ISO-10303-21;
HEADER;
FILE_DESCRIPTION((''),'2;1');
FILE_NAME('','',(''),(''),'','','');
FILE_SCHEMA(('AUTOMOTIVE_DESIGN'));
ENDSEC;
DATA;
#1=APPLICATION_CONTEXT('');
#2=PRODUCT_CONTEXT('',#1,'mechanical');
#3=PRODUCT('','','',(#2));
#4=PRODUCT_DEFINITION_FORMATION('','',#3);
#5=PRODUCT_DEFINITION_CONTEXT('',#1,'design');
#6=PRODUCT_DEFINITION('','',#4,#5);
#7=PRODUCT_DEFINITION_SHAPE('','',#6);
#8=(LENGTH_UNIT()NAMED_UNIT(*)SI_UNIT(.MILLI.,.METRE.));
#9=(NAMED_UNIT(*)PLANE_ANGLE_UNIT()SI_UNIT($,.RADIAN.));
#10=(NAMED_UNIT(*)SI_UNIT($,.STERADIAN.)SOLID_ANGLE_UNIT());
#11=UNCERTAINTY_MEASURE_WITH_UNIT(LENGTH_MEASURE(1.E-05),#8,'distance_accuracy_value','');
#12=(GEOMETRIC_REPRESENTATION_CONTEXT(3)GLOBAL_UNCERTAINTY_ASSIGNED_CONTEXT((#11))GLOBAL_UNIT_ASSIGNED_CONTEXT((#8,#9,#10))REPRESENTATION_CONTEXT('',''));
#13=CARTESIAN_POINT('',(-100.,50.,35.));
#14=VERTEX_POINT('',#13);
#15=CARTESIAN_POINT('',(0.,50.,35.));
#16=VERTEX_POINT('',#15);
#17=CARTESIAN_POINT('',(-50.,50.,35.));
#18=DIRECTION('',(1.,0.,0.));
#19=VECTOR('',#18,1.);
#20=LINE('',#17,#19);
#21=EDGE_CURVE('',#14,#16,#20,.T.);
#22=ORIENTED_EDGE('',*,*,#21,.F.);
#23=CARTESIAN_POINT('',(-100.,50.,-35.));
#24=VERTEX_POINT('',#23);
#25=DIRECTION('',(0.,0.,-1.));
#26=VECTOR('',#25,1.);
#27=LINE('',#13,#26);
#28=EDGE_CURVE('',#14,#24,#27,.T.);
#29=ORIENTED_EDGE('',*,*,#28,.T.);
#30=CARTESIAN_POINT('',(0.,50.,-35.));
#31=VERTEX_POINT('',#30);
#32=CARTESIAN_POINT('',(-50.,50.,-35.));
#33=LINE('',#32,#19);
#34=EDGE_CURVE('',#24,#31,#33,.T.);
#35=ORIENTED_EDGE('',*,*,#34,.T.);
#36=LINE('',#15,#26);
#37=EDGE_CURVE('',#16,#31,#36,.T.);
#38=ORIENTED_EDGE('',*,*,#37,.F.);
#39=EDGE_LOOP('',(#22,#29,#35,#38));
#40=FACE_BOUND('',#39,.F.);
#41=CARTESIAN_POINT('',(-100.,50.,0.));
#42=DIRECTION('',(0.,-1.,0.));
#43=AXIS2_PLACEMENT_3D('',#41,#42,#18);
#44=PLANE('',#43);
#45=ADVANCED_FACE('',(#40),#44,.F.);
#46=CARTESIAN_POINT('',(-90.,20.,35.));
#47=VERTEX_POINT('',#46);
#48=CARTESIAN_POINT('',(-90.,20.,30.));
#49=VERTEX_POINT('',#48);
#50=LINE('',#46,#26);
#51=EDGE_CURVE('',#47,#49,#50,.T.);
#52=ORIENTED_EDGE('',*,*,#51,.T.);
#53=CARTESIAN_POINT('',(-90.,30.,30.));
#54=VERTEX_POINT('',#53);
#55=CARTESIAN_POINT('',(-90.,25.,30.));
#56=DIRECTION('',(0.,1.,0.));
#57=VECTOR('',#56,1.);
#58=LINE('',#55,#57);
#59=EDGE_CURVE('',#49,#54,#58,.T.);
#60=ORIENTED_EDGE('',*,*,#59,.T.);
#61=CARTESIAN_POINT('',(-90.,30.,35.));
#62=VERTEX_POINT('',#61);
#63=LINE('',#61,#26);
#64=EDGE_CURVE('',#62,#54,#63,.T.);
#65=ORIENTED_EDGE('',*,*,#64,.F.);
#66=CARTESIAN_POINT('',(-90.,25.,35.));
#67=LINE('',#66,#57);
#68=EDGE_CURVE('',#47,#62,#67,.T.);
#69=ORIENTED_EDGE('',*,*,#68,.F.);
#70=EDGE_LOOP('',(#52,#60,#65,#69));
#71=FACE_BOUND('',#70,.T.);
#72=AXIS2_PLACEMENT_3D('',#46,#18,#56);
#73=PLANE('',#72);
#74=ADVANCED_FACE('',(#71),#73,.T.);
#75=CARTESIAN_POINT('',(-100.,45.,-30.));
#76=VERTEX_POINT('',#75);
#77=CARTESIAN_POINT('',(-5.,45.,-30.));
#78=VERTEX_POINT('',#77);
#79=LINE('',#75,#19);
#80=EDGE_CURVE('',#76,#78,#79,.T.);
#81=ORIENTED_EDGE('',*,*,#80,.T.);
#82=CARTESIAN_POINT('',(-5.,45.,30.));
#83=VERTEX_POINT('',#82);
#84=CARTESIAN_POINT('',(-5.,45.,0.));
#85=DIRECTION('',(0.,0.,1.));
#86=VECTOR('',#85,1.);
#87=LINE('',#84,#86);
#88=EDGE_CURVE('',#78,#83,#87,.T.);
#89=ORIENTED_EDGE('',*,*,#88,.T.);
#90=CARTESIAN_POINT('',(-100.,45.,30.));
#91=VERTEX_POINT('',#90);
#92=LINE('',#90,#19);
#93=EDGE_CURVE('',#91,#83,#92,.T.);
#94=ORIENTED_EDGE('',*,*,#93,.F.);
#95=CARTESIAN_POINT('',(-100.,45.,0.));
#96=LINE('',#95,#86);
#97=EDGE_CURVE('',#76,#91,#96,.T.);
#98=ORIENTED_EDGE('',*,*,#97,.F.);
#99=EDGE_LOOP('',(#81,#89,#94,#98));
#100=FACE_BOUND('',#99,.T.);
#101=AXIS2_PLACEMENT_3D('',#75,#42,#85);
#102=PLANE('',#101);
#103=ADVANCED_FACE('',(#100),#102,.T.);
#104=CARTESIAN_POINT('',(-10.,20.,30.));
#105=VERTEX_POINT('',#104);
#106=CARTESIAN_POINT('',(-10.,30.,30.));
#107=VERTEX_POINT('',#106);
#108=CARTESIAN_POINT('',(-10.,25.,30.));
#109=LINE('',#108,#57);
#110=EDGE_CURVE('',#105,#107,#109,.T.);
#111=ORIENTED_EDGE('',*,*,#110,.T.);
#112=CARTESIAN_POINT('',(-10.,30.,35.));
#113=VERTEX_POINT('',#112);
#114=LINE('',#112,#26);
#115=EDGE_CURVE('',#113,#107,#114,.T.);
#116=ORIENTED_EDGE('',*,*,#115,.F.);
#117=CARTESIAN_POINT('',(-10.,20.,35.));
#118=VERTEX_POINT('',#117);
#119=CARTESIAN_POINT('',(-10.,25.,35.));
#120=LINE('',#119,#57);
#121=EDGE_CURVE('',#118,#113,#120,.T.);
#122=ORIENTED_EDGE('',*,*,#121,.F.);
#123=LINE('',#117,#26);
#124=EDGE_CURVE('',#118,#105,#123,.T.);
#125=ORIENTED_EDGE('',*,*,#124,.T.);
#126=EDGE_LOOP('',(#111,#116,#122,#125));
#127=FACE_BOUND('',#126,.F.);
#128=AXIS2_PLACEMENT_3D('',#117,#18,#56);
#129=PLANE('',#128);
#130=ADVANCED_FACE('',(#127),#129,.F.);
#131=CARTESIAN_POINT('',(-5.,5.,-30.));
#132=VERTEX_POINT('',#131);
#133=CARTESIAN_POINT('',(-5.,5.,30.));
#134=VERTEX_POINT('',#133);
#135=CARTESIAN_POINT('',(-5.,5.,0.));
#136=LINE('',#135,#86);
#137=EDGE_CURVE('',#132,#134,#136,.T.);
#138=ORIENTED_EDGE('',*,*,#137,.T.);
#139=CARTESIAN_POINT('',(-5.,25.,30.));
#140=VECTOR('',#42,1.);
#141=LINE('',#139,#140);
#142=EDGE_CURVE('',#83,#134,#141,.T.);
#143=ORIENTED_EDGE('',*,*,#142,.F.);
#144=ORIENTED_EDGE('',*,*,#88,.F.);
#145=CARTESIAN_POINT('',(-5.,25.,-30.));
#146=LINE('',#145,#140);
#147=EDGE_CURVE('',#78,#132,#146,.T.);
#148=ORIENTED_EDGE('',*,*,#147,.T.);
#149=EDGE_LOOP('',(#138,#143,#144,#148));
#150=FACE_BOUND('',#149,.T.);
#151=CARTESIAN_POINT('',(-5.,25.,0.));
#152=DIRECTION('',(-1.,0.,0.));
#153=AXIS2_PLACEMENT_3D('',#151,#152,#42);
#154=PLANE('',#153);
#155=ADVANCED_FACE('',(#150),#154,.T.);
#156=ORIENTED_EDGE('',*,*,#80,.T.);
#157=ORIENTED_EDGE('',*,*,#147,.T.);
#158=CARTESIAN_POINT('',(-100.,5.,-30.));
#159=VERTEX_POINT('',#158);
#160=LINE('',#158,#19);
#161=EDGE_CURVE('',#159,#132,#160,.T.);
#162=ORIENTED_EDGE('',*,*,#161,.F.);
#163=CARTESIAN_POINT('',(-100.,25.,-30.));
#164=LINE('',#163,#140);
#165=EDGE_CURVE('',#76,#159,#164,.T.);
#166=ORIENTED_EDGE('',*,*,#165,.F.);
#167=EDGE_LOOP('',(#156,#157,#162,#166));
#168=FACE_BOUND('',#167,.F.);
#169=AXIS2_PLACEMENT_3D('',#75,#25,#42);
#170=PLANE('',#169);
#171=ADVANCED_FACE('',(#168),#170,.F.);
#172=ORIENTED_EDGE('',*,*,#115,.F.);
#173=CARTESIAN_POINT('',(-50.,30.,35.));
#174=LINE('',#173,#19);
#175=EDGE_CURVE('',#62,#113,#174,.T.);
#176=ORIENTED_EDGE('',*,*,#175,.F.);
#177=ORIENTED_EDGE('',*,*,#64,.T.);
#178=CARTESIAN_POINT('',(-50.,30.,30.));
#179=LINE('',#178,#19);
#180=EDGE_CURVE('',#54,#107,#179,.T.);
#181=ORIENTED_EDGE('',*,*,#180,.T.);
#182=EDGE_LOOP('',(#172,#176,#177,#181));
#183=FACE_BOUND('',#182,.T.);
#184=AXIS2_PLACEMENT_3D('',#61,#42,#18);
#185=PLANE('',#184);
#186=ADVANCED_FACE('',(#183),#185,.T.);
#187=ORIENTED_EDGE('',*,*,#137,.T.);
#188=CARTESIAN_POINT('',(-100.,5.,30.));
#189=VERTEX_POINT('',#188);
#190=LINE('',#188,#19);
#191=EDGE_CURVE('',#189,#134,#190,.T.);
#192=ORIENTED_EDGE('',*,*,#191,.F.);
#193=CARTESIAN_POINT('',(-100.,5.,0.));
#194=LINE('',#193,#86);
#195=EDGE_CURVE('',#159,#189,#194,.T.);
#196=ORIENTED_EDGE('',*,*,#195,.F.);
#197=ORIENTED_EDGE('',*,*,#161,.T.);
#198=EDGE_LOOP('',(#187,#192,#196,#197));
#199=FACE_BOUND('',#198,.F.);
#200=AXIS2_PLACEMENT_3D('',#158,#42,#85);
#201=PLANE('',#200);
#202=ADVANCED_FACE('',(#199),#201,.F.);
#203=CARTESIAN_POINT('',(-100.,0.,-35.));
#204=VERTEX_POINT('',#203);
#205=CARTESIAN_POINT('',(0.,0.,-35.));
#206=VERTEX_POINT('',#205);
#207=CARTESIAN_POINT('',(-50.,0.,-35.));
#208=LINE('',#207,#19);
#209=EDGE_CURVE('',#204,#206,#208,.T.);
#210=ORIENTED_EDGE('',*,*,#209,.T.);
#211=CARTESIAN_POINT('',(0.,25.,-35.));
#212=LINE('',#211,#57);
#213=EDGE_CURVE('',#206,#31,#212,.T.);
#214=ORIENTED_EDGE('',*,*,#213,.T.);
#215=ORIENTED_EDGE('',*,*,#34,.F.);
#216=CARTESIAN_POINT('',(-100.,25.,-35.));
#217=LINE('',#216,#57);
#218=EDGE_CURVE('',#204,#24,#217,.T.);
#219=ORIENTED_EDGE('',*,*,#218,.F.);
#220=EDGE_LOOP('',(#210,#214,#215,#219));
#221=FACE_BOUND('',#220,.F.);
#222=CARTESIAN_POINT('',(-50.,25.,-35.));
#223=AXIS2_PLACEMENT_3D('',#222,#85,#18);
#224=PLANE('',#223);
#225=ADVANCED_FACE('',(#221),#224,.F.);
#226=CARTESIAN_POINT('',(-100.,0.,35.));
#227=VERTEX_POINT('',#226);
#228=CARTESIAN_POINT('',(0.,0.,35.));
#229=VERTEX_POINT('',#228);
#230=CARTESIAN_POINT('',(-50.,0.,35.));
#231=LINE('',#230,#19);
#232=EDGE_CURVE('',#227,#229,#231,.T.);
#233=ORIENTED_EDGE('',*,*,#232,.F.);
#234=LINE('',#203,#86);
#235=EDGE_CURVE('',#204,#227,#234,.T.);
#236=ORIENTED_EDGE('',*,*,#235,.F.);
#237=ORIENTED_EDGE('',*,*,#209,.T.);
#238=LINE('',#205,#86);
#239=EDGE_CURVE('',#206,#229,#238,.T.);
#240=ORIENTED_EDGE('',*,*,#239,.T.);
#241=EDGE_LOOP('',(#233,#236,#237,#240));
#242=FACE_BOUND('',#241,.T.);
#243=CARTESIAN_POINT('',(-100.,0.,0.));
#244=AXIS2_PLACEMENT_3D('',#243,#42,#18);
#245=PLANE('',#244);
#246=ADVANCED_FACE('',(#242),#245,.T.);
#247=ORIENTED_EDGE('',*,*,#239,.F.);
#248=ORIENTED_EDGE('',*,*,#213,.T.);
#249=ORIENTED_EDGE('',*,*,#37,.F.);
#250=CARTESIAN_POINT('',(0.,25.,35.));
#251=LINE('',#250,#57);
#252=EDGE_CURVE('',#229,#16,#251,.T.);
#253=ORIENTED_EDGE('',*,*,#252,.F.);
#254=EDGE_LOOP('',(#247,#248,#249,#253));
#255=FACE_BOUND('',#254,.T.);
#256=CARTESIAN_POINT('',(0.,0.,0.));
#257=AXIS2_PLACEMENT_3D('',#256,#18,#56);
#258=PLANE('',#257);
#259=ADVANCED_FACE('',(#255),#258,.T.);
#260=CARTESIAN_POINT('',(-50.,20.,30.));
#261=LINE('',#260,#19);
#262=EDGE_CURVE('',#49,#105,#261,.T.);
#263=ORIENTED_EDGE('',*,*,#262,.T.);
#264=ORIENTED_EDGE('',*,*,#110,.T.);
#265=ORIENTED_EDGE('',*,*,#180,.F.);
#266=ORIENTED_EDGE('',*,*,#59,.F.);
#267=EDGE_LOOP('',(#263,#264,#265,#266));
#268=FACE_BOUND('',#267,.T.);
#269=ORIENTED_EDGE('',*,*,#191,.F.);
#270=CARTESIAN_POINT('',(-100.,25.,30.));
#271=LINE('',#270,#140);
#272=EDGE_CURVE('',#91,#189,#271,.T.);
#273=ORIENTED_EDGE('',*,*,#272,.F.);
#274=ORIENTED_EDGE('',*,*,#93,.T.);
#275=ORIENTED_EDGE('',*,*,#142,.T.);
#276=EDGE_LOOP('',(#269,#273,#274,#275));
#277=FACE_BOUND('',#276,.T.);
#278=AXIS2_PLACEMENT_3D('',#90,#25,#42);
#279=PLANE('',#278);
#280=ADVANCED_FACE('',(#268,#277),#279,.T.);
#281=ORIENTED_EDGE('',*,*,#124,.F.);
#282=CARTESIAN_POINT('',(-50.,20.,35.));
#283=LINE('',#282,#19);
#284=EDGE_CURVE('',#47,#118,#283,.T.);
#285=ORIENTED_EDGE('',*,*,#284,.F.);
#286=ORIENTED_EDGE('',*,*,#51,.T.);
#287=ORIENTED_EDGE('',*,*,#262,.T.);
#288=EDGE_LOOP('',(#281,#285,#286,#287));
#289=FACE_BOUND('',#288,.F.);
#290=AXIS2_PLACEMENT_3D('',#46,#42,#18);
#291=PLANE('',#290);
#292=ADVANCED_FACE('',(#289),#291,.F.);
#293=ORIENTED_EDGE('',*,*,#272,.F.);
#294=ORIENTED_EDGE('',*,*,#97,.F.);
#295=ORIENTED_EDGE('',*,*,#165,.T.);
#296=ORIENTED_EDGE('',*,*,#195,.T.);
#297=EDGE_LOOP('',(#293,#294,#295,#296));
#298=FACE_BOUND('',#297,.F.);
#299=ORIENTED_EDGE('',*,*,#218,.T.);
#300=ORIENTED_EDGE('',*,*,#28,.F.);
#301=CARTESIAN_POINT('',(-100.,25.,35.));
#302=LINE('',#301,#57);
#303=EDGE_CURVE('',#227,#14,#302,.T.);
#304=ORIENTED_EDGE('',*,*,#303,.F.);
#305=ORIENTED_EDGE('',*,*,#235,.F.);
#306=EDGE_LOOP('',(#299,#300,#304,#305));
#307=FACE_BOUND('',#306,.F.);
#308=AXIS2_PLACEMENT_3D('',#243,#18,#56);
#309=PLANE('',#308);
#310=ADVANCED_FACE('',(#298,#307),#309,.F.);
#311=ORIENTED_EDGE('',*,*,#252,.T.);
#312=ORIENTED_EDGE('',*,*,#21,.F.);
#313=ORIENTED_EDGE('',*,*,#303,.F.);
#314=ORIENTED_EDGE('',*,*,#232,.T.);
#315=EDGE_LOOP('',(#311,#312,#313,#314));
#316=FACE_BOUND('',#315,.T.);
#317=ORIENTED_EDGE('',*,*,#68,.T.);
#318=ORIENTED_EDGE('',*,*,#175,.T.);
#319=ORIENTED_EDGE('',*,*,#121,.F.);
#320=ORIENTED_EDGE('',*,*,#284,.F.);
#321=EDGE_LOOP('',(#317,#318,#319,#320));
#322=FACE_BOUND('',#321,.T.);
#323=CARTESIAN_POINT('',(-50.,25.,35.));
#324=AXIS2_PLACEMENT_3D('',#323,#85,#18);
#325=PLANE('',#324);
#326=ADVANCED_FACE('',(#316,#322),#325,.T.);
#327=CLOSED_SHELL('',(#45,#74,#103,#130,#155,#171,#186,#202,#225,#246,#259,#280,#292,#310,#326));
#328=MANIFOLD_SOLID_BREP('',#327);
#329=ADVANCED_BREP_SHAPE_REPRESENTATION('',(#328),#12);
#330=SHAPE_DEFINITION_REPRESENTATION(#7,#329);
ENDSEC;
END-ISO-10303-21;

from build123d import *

# Parameters (mm, degrees)
F0_W     = 100
F0_H     = 50
F1_DEPTH = 35
F2_W     = 40
F2_H     = 60
F3_DEPTH = 95
F4_W     = 80
F4_H     = 10
F5_DEPTH = 5


with BuildPart() as f1:
    # F0 (on Top) → F1 (new body, symmetric)
    with BuildSketch(Plane.XY):
        with Locations((-50, 25)):
            Rectangle(F0_W, F0_H)
    extrude(amount=F1_DEPTH, both=True)

    # F2 (on face) → F3 (cut)
    with BuildSketch(Plane(origin=(-100, 0, 0), x_dir=(0, -1, 0), z_dir=(-1, 0, 0))):
        with Locations((-25, 0)):
            Rectangle(F2_W, F2_H)
    extrude(amount=-F3_DEPTH, mode=Mode.SUBTRACT)

    # F4 (on face) → F5 (cut, through all)
    with BuildSketch(Plane.XY.offset(35)):
        with Locations((-50, 25)):
            Rectangle(F4_W, F4_H)
    extrude(amount=-F5_DEPTH, mode=Mode.SUBTRACT)


solid = f1.part
